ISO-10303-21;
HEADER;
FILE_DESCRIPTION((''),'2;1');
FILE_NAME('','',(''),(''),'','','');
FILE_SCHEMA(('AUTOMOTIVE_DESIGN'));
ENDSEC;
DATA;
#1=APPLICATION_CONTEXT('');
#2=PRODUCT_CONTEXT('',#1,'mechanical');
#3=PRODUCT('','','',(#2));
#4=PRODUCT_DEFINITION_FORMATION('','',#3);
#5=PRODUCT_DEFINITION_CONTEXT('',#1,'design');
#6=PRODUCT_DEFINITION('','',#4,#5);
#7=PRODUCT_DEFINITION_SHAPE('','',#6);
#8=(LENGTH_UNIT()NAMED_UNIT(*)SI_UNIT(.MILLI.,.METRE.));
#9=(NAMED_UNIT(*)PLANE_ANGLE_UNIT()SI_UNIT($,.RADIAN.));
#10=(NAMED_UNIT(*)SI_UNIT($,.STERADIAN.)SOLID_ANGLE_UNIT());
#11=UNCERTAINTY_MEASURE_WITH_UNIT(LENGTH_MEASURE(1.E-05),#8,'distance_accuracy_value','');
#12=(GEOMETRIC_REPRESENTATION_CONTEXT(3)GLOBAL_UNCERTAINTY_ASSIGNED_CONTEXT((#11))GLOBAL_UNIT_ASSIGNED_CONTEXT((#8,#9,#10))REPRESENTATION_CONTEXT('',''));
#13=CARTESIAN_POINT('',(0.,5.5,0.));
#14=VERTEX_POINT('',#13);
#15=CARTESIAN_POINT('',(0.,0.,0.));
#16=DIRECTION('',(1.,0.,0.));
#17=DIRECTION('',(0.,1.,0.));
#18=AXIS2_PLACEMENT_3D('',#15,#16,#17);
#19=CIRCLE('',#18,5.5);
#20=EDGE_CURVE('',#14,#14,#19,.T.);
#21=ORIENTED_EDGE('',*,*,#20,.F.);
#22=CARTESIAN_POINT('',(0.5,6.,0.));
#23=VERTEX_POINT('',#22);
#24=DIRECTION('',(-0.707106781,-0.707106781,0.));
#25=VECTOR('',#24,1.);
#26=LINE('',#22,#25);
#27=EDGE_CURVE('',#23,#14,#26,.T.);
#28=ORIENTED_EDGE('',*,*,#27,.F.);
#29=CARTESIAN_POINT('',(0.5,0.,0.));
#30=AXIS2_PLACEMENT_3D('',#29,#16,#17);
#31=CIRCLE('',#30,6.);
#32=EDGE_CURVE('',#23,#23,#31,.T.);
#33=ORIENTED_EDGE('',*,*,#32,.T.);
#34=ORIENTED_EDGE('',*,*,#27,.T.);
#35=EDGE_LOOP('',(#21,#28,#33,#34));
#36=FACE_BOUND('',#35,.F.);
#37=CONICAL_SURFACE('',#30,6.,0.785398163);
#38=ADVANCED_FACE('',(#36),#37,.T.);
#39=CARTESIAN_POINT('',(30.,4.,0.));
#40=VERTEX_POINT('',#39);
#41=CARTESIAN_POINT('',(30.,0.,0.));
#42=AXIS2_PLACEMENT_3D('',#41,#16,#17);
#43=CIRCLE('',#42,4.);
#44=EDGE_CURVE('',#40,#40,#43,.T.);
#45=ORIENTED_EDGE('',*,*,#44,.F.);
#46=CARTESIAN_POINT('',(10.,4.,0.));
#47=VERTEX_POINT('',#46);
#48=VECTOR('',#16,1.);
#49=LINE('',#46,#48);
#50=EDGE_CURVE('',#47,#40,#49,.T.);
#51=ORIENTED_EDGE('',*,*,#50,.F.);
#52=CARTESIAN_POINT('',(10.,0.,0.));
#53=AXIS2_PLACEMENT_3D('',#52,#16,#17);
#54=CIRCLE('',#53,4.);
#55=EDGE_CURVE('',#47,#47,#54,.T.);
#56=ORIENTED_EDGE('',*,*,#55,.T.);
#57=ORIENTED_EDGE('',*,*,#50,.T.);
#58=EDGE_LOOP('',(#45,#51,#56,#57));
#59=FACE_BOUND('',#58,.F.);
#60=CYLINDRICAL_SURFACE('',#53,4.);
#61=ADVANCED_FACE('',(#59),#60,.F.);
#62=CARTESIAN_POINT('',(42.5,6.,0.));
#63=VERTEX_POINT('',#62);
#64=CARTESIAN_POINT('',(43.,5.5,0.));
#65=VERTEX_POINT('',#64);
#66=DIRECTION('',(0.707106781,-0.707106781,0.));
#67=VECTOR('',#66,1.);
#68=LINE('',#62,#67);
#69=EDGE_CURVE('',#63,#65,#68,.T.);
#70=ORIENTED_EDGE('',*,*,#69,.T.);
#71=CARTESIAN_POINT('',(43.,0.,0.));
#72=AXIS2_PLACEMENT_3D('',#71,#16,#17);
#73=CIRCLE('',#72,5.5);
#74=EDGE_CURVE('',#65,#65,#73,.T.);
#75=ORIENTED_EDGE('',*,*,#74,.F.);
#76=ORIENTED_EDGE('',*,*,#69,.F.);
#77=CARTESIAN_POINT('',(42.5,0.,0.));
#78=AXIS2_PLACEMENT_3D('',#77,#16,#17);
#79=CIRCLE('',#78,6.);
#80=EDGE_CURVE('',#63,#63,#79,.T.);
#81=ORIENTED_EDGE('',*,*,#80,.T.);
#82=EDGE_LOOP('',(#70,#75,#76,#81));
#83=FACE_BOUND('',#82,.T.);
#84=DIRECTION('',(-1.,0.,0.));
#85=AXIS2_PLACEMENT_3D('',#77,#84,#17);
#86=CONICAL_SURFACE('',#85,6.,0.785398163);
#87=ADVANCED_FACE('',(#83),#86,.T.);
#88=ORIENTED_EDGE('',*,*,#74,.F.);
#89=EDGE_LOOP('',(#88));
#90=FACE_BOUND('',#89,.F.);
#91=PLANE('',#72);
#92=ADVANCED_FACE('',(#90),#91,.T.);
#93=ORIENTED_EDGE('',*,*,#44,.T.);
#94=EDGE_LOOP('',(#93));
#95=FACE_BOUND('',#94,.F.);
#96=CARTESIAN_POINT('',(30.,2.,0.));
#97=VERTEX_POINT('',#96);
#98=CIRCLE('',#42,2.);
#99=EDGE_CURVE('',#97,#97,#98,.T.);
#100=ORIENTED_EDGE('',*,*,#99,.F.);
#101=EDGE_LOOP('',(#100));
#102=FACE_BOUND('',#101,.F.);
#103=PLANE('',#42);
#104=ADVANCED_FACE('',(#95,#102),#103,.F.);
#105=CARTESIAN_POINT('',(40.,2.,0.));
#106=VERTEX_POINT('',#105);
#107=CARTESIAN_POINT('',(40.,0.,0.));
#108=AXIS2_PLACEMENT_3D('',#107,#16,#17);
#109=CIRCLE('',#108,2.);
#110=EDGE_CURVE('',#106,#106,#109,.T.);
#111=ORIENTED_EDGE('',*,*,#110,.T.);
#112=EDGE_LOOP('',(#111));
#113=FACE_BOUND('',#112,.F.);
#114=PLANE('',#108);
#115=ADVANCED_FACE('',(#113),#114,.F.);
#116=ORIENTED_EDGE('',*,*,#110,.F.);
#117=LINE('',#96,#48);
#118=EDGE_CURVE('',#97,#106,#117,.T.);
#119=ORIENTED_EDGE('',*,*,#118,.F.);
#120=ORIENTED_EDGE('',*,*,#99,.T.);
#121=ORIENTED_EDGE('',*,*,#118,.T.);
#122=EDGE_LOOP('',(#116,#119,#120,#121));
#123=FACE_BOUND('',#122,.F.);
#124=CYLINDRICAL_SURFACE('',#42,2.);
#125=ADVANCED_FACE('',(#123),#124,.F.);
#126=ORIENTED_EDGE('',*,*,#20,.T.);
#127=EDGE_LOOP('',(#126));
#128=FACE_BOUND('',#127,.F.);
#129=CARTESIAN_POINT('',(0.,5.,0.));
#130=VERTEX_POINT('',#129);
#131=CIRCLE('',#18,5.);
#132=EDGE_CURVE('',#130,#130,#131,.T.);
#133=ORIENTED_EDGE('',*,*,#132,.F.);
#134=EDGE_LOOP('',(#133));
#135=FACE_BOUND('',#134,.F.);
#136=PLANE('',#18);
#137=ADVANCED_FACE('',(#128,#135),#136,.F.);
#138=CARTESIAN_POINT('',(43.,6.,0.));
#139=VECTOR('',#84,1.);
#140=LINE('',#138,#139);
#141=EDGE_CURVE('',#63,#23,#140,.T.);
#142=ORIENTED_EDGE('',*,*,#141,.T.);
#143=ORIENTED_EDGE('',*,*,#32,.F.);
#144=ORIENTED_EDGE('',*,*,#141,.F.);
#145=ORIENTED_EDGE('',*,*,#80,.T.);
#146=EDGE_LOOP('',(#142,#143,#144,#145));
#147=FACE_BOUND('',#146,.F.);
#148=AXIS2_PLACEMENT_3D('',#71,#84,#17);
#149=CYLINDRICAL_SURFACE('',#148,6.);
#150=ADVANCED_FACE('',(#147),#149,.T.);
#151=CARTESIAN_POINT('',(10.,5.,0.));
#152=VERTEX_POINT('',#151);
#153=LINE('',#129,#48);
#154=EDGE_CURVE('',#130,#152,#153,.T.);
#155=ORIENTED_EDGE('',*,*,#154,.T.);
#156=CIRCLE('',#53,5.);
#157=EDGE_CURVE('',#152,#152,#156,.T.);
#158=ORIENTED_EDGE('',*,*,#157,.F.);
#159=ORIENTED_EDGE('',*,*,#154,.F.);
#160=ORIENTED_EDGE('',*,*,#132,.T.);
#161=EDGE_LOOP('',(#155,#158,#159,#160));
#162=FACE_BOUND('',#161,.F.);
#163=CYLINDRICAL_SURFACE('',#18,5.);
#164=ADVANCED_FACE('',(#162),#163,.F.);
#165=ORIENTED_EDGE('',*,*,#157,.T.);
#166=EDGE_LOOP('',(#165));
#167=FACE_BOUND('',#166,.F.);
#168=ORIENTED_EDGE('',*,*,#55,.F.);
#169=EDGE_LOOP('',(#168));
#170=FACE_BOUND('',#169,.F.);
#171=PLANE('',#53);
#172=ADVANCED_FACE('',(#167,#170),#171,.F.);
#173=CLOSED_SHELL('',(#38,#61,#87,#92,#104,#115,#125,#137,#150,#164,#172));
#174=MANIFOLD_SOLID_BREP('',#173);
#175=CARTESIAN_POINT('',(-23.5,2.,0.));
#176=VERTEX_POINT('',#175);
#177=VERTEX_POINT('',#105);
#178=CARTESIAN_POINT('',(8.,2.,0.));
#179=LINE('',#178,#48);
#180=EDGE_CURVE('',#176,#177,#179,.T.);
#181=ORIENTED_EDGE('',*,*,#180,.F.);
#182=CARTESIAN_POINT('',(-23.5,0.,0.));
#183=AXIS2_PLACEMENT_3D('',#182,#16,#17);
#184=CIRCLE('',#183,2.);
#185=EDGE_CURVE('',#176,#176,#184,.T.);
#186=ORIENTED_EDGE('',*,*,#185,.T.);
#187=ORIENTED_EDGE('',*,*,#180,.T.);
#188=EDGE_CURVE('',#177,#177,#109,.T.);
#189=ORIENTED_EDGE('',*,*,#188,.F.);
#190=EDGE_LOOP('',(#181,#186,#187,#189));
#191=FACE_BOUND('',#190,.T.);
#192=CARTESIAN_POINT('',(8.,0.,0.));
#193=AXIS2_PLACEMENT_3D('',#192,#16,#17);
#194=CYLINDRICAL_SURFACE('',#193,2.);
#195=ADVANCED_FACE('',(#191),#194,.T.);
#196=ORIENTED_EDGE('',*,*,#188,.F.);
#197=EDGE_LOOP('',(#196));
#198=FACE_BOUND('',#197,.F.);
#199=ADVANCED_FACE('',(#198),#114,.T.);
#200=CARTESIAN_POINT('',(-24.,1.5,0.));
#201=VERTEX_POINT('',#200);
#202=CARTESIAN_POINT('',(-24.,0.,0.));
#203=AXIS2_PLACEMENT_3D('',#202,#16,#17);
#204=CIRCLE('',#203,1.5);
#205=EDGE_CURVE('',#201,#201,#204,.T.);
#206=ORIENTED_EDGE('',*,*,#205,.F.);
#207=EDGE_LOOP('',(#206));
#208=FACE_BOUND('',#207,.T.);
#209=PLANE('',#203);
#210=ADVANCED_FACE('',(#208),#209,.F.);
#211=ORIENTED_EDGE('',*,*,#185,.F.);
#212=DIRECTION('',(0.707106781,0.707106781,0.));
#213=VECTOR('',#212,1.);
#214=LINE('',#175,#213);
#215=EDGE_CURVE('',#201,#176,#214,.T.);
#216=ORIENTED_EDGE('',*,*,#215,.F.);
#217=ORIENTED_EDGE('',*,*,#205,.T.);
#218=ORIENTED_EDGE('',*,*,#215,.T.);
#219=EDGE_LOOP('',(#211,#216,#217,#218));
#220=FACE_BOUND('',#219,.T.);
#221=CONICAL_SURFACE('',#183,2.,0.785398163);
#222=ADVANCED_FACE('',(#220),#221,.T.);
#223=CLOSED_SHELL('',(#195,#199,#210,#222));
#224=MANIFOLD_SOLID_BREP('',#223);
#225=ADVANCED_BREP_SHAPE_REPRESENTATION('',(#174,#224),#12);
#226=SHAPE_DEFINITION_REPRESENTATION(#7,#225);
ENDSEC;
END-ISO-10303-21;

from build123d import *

# Parameters (mm, degrees)
F2_SIZE = 0.5
F3_W    = 64
F3_H    = 2
F5_SIZE = 0.5


with BuildPart() as f1:
    # F0 (on Top) → F1 (revolve)
    with BuildSketch(Plane.XY):
        Polygon((43, 6), (0, 6), (0, 5), (10, 5), (10, 4), (30, 4), (30, 2), (40, 2), (40, 0), (43, 0), align=None)
    revolve(axis=Axis((29.847804, 0, 0), (1, 0, 0)))

    # F2
    f2_edges = [f1.edges().sort_by_distance(p)[0] for p in [
        (0, -6, 0),
        (43, -6, 0),
    ]]
    chamfer(f2_edges, length=F2_SIZE)


with BuildPart() as f4:
    # F3 (on Top) → F4 (revolve)
    with BuildSketch(Plane.XY):
        with Locations((8, 1)):
            Rectangle(F3_W, F3_H)
    revolve(axis=Axis((8, 0, 0), (1, 0, 0)))

    # F5
    f5_edges = [f4.edges().sort_by_distance(p)[0] for p in [
        (-24, -2, 0),
    ]]
    chamfer(f5_edges, length=F5_SIZE)


solid = Compound([f1.part, f4.part])
